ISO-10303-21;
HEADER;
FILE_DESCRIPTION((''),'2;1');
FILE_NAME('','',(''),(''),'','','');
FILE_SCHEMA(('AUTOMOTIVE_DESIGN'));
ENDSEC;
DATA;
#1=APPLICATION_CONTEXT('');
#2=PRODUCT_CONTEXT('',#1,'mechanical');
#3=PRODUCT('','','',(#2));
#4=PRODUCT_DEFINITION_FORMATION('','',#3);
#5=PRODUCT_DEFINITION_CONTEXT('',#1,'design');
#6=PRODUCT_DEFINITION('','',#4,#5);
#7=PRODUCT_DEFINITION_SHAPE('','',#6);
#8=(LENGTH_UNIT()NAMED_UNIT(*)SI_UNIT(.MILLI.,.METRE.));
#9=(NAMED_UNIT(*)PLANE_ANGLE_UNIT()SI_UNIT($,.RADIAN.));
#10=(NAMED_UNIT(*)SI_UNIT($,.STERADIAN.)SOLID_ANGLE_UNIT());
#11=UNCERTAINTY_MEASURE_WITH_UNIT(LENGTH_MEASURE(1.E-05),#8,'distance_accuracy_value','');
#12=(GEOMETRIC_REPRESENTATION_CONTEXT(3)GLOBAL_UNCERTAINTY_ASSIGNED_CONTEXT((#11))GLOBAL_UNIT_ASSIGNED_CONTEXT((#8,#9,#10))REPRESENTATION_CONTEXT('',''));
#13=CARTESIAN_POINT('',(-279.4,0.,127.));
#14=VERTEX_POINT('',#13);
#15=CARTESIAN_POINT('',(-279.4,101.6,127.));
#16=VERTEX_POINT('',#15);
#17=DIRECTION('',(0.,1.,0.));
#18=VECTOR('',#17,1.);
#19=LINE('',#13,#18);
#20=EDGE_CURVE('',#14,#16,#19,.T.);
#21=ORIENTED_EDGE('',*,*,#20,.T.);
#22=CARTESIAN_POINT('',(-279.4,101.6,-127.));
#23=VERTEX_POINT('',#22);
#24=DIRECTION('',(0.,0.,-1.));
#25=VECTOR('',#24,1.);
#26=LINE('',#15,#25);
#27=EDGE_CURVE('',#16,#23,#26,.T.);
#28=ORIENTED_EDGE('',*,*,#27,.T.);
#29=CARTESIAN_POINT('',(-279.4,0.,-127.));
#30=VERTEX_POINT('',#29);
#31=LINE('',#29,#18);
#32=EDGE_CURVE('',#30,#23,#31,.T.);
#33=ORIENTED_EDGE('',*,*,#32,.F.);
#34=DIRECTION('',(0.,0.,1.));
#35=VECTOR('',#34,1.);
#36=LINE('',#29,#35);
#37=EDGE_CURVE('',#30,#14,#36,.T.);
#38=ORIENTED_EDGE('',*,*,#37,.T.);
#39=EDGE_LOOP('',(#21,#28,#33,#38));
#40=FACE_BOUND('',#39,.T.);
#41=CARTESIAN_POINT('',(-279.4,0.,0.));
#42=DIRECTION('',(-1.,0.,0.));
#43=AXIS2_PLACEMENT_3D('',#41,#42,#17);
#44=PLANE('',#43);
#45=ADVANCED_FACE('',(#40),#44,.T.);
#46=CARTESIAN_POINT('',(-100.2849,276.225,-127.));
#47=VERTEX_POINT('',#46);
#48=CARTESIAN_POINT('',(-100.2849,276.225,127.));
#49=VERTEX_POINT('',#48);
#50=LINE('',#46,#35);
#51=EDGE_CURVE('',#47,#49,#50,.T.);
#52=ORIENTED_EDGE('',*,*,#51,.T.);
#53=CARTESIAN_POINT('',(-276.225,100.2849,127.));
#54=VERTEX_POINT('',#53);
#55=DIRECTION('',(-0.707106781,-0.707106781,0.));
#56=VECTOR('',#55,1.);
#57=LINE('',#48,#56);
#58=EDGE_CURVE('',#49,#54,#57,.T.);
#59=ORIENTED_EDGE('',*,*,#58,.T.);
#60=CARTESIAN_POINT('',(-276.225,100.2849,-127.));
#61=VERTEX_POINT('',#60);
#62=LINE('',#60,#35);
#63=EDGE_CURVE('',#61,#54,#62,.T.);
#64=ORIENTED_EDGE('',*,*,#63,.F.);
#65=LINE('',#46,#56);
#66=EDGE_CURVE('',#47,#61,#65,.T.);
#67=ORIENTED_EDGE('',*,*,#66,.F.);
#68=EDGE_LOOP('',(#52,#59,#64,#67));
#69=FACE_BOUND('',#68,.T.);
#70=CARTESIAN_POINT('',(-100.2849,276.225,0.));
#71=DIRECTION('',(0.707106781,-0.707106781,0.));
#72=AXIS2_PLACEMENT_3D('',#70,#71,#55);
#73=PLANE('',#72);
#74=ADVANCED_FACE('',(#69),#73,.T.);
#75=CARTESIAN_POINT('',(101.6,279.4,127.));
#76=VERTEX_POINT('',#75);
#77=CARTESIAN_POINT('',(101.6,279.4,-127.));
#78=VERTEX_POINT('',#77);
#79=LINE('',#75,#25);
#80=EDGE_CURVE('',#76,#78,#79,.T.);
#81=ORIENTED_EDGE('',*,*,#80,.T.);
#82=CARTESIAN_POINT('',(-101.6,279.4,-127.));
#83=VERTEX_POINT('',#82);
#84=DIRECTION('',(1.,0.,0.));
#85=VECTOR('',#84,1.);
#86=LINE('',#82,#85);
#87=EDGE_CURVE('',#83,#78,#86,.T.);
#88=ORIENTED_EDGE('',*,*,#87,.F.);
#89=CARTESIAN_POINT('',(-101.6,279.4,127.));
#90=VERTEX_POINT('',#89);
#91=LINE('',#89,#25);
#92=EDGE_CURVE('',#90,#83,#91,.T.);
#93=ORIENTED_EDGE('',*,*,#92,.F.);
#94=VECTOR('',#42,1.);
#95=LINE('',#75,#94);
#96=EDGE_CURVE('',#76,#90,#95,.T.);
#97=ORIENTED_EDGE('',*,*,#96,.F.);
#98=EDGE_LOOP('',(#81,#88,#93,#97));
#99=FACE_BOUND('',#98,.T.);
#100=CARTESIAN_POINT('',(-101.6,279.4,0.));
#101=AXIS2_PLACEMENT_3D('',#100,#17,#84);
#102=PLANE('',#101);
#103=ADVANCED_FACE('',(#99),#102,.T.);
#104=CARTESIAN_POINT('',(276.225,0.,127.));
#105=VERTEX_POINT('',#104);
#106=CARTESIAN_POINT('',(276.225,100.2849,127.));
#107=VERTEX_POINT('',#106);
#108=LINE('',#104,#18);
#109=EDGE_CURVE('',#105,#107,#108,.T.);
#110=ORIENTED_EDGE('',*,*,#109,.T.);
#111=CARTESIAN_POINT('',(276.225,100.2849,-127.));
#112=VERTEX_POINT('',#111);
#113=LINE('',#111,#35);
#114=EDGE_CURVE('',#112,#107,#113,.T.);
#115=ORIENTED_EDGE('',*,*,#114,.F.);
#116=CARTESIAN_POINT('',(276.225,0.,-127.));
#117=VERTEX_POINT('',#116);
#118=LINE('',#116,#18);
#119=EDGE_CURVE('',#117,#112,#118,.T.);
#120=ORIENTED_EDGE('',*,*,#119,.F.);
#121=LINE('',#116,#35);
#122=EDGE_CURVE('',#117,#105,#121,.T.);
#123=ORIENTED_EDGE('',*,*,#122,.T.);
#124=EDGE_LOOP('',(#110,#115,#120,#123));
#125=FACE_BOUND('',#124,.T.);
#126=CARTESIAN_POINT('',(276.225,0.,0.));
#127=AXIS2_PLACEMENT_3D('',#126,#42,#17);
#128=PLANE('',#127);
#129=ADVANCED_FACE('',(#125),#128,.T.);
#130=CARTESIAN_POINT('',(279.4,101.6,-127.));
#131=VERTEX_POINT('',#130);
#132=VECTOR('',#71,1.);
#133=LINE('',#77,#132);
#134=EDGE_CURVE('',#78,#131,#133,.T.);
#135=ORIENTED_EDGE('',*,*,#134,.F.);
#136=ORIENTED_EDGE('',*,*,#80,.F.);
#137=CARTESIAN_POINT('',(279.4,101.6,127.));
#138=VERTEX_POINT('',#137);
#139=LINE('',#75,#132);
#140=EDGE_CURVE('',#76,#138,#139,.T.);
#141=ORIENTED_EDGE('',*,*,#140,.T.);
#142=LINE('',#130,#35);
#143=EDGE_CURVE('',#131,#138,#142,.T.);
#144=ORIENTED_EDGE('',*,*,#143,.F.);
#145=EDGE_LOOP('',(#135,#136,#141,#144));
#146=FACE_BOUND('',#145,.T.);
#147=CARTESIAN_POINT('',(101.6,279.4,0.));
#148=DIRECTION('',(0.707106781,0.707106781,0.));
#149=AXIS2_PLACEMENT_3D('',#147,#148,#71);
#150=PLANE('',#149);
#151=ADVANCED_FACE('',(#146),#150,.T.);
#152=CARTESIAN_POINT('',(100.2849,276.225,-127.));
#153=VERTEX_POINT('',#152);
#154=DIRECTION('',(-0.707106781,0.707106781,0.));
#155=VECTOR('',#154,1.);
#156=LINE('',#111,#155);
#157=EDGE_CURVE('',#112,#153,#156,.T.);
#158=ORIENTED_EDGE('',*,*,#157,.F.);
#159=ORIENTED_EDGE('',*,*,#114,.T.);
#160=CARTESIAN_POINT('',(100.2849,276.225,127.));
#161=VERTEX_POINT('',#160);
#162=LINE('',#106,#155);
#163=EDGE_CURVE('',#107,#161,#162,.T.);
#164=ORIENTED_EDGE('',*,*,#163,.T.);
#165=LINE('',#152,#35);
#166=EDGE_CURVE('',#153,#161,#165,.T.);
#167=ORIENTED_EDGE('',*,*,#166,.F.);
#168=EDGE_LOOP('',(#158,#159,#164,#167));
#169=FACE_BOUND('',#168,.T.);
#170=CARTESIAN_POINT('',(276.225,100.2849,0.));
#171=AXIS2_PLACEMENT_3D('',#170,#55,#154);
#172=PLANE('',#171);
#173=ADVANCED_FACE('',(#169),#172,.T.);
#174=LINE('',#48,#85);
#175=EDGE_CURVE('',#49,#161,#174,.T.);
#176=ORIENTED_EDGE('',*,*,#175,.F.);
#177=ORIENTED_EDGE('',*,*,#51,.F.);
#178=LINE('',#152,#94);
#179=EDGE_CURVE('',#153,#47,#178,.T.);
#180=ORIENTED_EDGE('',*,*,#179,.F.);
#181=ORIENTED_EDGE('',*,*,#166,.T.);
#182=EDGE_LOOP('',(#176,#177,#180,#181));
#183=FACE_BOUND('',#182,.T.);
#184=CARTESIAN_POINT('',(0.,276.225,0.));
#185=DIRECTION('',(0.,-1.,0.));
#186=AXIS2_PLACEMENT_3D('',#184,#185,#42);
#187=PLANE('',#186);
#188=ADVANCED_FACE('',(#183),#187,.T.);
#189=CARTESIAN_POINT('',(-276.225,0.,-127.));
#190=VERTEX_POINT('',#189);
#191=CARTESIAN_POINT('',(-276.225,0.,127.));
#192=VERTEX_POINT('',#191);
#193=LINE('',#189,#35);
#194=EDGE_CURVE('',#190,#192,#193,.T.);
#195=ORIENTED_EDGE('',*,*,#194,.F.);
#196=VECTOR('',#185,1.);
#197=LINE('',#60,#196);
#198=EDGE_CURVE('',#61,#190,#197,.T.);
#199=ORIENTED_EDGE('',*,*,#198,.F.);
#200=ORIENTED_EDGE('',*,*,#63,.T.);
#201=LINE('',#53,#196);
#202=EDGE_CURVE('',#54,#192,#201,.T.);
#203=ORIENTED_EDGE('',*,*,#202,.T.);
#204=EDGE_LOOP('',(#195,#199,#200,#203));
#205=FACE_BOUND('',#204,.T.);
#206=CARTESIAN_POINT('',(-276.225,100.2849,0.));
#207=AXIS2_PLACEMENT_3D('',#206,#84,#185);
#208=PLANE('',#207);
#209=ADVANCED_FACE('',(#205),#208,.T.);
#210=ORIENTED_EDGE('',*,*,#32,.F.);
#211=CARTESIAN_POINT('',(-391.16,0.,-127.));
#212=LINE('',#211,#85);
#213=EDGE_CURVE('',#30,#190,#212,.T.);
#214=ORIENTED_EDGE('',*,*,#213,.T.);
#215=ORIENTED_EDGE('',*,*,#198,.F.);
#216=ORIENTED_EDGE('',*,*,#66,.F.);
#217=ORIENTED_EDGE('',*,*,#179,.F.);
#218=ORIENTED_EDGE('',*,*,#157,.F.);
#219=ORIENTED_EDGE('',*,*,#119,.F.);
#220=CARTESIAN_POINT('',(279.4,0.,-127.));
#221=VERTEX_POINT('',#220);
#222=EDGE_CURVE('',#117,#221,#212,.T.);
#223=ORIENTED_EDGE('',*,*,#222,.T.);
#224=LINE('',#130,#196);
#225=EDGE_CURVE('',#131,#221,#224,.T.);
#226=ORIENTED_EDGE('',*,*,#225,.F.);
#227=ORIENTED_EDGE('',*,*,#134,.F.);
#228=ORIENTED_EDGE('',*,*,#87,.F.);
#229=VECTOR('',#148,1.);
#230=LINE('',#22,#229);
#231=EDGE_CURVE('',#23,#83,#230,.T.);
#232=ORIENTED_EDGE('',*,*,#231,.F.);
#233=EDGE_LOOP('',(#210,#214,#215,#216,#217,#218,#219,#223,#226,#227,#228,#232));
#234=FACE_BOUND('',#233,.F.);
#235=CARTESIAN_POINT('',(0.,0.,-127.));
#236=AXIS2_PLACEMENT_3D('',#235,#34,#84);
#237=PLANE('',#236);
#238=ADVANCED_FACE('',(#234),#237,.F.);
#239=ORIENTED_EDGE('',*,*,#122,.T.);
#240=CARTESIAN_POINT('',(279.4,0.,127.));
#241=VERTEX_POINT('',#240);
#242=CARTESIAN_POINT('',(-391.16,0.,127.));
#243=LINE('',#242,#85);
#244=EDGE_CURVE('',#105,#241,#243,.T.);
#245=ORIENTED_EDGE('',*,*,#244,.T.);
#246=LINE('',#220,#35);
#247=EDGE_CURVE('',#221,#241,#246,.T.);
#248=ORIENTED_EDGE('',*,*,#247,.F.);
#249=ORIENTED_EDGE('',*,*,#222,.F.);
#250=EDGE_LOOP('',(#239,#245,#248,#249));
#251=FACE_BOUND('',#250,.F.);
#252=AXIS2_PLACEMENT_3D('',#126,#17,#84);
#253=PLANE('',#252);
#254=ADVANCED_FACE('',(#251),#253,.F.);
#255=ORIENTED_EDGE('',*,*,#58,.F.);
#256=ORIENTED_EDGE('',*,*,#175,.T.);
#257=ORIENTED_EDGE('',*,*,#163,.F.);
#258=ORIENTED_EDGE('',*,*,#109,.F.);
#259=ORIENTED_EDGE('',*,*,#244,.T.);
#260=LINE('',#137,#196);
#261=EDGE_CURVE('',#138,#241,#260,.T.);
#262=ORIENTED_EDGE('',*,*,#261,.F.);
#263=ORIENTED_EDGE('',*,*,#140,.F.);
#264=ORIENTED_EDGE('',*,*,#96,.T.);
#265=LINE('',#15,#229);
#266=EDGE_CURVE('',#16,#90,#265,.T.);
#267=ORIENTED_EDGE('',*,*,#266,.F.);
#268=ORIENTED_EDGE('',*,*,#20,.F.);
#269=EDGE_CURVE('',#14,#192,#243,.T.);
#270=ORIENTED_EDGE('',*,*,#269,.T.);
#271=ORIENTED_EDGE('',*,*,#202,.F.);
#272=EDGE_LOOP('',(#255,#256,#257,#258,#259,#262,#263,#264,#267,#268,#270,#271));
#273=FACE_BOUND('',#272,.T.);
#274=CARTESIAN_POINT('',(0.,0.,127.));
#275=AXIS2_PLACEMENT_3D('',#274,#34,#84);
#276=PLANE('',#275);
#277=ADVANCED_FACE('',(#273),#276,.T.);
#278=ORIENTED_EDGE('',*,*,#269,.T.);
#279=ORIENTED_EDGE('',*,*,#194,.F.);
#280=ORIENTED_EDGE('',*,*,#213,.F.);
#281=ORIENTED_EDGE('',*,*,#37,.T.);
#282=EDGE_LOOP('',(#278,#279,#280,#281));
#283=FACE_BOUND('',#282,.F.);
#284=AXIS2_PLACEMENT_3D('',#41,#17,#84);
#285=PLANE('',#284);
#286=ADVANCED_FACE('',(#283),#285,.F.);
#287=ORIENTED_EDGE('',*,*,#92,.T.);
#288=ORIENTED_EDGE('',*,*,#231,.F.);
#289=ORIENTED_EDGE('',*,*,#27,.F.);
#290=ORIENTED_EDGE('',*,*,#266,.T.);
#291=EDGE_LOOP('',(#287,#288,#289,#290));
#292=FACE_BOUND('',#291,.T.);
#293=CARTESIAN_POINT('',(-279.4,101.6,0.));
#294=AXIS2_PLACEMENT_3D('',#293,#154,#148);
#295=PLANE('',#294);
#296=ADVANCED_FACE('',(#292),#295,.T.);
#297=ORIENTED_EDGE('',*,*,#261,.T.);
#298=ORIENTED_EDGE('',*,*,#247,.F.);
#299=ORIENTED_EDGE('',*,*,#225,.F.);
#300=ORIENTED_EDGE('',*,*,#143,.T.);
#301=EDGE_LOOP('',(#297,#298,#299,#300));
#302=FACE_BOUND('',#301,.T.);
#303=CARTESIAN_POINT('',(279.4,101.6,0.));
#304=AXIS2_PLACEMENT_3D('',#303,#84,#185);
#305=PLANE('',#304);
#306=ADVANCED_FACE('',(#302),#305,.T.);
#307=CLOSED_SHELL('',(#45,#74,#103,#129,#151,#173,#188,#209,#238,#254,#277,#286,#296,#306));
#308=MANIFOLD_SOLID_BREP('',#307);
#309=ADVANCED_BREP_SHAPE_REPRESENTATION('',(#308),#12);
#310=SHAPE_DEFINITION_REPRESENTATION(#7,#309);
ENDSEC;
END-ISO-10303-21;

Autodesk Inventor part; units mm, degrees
ref_plane "YZ Plane" through (0, 0, 0) normal (1, 0, 0) x (0, 1, 0)
ref_plane "XZ Plane" through (0, 0, 0) normal (0, 1, 0) x (-1, 0, 0)
ref_plane "XY Plane" through (0, 0, 0) normal (0, 0, 1) x (1, 0, 0)
sketch "Sketch1" plane through (0, 0, 0) normal (0, 0, 1) x (1, 0, 0)
  line L0 (-391.16, 0) -> (391.16, 0) projected
  line L1 (0, -55.88) -> (0, 335.28) projected
  line L2 (-101.6, 279.4) -> (101.6, 279.4)
  line L3 (101.6, 279.4) -> (279.4, 101.6)
  line L4 (279.4, 101.6) -> (279.4, 0)
  line L5 (279.4, 0) -> (-279.4, 0) construction
  line L6 (-279.4, 0) -> (-279.4, 101.6)
  line L7 (-279.4, 101.6) -> (-101.6, 279.4)
  line L8 (-279.4, 101.6) -> (279.4, 101.6) construction
  line L9 (276.225, 100.2849) -> (100.2849, 276.225)
  line L10 (100.2849, 276.225) -> (-100.2849, 276.225)
  line L11 (-100.2849, 276.225) -> (-276.225, 100.2849)
  line L12 (-276.225, 100.2849) -> (-276.225, 0)
  line L13 (276.225, 0) -> (276.225, 100.2849)
  line L14 (-279.4, 0) -> (-276.225, 0)
  line L15 (276.225, 0) -> (279.4, 0)
  point P0 (0, 0)
  point P1 (-279.4, 50.8)
  point P2 (0, 0)
  point P3 (0, 279.4)
  dimension "d0" = 558.8
  dimension "d1" = 101.6
  dimension "d2" = 45
  dimension "d3" = 203.2
  dimension "d4" = 3.175
  dimension "d5" = 3.175
  dimension "d6" = 3.175
  dimension "d7" = 3.175
extrude "Extrusion1" add sketch "Sketch1" along normal mid plane 254 contours L6 L7 L2 L1 L10 L11 L12 L0 | L13 L9 L10 L1 L2 L3 L4 L0
equation "\"d5\" = d4"
equation "\"d6\" = d4"
equation "\"d7\" = d4"
properties part number "middle shell"
